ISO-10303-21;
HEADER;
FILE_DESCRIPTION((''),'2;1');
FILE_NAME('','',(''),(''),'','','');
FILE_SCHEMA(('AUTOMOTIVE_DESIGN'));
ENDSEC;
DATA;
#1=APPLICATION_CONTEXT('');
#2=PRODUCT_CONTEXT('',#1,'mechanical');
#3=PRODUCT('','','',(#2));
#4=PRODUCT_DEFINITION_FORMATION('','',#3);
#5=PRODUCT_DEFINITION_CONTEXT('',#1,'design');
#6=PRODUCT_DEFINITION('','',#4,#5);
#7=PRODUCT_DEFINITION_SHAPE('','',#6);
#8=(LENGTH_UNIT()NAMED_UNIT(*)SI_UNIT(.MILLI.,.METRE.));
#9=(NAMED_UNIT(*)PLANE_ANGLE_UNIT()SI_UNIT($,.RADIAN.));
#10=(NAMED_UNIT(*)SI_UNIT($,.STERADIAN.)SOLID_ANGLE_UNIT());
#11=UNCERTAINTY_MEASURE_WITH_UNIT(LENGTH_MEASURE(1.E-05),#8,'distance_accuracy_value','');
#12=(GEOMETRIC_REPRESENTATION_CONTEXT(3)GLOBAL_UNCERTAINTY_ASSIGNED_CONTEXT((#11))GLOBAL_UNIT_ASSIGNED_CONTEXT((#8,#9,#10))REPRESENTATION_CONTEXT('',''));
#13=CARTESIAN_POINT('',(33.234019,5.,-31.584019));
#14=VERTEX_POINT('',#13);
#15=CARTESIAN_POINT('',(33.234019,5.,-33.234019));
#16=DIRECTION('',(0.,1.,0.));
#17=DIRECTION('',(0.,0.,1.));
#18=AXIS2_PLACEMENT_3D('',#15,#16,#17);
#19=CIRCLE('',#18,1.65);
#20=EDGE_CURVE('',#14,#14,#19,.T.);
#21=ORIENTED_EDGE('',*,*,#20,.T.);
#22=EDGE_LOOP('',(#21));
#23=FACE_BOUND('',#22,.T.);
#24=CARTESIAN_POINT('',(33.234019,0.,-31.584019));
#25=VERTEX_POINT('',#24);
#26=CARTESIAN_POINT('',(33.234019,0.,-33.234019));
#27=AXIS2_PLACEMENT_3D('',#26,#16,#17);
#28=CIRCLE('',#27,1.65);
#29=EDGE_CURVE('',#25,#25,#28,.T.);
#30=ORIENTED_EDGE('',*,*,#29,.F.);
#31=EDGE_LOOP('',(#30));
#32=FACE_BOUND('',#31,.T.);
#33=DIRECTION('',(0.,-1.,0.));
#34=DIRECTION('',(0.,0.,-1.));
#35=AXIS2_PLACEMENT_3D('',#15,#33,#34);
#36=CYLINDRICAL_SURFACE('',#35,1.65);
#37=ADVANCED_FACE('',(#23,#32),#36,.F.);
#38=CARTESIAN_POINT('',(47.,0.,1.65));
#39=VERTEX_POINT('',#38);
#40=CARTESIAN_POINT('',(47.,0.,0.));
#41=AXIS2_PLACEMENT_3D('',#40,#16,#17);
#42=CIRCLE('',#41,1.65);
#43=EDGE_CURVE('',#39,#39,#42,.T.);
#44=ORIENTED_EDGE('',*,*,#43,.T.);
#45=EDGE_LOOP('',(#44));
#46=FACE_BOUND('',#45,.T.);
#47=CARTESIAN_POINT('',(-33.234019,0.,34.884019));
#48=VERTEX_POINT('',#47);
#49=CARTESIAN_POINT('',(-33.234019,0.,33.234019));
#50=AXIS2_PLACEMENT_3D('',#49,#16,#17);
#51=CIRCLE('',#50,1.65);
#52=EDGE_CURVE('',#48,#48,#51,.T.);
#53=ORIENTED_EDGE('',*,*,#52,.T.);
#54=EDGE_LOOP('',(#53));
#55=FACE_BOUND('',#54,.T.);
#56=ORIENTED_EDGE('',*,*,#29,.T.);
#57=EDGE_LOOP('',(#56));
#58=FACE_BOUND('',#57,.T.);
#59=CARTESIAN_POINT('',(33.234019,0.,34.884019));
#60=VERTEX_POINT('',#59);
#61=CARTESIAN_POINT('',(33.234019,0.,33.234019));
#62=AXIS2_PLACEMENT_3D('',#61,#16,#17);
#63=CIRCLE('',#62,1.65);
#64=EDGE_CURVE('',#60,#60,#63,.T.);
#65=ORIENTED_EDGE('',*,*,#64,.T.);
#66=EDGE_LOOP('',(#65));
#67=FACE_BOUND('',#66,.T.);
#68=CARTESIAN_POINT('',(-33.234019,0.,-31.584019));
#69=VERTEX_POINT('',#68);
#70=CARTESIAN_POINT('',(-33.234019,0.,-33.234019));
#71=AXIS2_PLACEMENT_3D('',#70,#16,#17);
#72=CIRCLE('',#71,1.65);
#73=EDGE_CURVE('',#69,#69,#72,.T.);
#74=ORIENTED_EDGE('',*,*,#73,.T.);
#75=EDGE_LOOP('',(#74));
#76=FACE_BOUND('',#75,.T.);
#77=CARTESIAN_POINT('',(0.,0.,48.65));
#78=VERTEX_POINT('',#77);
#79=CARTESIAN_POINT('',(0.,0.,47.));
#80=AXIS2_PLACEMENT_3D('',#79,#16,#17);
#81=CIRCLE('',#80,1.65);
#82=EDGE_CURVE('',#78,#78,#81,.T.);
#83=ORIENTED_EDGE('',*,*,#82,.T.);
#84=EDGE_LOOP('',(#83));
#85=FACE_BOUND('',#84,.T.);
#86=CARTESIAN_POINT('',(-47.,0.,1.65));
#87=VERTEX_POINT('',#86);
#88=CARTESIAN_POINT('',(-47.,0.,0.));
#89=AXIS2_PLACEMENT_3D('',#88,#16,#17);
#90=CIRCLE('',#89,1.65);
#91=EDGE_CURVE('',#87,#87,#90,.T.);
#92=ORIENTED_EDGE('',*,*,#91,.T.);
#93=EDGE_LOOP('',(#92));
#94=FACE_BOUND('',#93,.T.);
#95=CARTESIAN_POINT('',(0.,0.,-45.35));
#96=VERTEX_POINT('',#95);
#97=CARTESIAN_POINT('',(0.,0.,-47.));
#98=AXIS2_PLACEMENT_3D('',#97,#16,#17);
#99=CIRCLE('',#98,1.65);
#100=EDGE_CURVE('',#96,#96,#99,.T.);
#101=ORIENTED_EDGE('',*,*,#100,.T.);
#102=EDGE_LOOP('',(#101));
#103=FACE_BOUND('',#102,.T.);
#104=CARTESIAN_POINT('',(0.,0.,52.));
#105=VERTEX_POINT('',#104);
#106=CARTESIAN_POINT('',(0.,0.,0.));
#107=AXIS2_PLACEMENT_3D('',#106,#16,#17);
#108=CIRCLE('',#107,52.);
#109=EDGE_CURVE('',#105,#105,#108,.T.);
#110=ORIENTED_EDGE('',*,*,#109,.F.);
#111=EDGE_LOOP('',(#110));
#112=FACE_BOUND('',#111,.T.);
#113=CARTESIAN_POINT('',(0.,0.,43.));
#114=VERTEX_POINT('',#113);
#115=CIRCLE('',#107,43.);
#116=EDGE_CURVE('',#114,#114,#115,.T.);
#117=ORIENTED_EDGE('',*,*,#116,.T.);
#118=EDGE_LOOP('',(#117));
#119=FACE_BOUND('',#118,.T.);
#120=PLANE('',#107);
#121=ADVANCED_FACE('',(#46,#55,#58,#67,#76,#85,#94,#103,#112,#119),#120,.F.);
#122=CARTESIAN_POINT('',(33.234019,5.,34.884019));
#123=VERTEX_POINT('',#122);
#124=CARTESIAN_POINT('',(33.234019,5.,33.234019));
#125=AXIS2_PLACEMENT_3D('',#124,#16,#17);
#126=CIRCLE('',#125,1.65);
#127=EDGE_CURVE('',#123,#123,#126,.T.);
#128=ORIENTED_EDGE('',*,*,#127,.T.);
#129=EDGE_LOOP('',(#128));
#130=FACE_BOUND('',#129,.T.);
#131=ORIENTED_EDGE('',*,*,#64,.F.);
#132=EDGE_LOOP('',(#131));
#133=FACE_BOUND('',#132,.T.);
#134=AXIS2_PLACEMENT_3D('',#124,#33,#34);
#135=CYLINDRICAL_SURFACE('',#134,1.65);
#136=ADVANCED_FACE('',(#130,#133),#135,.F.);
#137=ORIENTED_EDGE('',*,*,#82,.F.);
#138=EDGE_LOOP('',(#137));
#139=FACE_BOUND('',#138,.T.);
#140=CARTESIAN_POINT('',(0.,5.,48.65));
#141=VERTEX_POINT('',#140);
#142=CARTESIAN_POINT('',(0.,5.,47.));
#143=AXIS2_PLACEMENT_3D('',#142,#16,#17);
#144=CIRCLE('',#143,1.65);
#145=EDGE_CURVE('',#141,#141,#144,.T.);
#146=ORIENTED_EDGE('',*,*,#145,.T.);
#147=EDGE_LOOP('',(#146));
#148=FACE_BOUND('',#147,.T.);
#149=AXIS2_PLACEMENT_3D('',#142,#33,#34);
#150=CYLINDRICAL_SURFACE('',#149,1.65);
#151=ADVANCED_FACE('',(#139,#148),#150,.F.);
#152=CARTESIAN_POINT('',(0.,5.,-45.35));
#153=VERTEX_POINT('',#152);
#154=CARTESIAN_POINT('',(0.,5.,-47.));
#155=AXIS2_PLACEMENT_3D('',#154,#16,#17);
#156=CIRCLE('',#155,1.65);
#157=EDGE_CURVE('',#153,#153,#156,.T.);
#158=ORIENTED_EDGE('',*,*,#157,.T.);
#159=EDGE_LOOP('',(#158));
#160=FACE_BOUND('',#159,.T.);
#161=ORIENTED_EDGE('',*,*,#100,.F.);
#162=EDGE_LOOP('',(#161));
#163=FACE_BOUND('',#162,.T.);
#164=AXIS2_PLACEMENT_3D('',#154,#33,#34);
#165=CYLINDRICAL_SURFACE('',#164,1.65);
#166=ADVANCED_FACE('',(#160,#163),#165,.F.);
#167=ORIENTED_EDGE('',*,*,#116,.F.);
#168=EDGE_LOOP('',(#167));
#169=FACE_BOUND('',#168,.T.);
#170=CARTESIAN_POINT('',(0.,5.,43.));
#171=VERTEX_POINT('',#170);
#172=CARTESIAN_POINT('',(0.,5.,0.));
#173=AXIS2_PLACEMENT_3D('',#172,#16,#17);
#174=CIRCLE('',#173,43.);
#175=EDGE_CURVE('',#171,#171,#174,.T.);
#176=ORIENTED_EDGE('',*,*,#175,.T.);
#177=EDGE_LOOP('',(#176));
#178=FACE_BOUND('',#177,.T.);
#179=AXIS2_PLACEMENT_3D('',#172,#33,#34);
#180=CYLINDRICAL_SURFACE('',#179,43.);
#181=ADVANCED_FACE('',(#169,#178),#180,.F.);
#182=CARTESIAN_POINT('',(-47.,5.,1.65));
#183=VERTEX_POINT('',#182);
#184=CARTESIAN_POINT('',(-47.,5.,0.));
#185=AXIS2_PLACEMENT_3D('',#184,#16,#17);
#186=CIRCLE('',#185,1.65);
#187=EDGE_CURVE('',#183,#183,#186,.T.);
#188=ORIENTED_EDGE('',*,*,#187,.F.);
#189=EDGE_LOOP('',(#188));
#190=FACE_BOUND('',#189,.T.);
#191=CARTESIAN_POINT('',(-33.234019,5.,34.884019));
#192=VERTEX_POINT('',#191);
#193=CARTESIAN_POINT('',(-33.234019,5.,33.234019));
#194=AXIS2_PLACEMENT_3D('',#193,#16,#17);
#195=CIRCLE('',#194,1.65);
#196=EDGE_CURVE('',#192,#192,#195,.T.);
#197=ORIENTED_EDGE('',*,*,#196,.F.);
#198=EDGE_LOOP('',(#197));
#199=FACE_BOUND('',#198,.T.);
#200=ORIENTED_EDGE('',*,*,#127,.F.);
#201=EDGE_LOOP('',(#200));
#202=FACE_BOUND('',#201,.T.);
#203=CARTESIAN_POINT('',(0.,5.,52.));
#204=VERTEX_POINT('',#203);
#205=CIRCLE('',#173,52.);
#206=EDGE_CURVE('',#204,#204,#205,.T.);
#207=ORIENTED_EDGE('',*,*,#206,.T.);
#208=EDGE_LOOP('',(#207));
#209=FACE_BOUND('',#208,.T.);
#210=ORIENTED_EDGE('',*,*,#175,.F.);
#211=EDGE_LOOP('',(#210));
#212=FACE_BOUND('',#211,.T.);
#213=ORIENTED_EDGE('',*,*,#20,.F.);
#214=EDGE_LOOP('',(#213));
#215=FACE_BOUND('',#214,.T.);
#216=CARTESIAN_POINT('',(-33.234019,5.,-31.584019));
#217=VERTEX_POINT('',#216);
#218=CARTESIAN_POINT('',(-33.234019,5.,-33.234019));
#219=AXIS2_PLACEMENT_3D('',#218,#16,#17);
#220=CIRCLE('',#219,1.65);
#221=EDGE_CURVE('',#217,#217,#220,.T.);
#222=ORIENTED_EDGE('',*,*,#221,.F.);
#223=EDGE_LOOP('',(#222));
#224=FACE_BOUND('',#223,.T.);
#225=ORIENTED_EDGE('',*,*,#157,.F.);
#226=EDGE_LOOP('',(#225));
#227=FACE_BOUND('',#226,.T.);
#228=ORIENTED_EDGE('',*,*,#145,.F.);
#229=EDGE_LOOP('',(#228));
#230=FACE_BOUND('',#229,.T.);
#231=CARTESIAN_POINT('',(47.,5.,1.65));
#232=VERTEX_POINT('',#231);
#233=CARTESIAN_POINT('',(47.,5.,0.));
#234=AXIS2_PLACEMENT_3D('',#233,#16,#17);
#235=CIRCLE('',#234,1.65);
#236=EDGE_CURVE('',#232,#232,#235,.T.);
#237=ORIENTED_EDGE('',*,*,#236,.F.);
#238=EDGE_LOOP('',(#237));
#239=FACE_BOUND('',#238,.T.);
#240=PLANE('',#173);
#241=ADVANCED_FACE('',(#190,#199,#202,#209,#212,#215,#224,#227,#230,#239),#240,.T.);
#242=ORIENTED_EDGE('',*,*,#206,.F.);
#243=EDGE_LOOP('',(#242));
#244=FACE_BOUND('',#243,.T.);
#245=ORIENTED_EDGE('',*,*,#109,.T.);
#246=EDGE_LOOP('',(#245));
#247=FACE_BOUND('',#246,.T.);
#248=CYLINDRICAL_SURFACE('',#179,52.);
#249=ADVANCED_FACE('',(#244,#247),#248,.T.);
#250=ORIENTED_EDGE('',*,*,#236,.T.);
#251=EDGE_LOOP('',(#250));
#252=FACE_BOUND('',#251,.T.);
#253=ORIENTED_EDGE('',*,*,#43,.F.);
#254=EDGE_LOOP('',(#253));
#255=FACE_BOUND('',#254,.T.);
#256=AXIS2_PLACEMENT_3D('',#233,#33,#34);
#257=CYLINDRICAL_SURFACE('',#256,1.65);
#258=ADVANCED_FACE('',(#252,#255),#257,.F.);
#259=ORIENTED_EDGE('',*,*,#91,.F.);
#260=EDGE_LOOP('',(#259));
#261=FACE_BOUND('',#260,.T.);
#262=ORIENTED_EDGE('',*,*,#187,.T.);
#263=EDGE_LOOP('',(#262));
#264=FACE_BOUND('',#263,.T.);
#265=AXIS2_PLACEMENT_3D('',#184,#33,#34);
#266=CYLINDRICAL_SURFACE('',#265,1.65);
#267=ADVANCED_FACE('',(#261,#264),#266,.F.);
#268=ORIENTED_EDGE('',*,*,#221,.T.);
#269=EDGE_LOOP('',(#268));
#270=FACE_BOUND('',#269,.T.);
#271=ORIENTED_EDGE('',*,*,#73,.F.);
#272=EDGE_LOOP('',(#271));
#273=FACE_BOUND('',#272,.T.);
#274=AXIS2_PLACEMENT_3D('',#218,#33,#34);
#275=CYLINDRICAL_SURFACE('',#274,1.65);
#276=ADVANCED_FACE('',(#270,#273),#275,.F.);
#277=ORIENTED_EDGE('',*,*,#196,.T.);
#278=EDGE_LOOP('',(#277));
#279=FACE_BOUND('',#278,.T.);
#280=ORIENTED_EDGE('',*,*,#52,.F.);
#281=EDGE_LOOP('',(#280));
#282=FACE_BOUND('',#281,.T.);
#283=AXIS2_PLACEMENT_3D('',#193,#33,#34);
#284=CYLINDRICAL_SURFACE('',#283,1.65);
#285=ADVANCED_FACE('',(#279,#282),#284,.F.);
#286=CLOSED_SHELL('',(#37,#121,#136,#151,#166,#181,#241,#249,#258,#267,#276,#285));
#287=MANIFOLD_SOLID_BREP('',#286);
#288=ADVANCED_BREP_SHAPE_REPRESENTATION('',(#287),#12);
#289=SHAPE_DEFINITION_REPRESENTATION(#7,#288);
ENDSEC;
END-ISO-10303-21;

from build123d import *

# Parameters (mm, degrees)
SKETCH_1_R      = 52
SKETCH_1_R_2    = 43
SKETCH_1_R_3    = 1.65
EXTRUDE_1_DEPTH = 5


with BuildPart() as part:
    # 草图1 → 凸台-拉伸1 (new body)
    with BuildSketch(Plane(origin=(0, 0, 0), x_dir=(1, 0, 0), z_dir=(0, 1, 0))):
        with Locations(Location((0, 0, 0), (0, 0, 270))):
            Circle(SKETCH_1_R)
        with Locations(Location((0, 0, 0), (0, 0, 270))):
            Circle(SKETCH_1_R_2, mode=Mode.SUBTRACT)
        with Locations(Location((47, 0, 0), (0, 0, 270))):
            Circle(SKETCH_1_R_3, mode=Mode.SUBTRACT)
        with Locations(Location((33.234018716, -33.234018716, 0), (0, 0, 270))):
            Circle(SKETCH_1_R_3, mode=Mode.SUBTRACT)
        with Locations(Location((0, -47, 0), (0, 0, 270))):
            Circle(SKETCH_1_R_3, mode=Mode.SUBTRACT)
        with Locations(Location((-33.234018716, -33.234018716, 0), (0, 0, 270))):
            Circle(SKETCH_1_R_3, mode=Mode.SUBTRACT)
        with Locations(Location((-47, 0, 0), (0, 0, 270))):
            Circle(SKETCH_1_R_3, mode=Mode.SUBTRACT)
        with Locations(Location((-33.234018716, 33.234018716, 0), (0, 0, 270))):
            Circle(SKETCH_1_R_3, mode=Mode.SUBTRACT)
        with Locations(Location((0, 47, 0), (0, 0, 270))):
            Circle(SKETCH_1_R_3, mode=Mode.SUBTRACT)
        with Locations(Location((33.234018716, 33.234018716, 0), (0, 0, 270))):
            Circle(SKETCH_1_R_3, mode=Mode.SUBTRACT)
    extrude(amount=EXTRUDE_1_DEPTH)


solid = part.part
